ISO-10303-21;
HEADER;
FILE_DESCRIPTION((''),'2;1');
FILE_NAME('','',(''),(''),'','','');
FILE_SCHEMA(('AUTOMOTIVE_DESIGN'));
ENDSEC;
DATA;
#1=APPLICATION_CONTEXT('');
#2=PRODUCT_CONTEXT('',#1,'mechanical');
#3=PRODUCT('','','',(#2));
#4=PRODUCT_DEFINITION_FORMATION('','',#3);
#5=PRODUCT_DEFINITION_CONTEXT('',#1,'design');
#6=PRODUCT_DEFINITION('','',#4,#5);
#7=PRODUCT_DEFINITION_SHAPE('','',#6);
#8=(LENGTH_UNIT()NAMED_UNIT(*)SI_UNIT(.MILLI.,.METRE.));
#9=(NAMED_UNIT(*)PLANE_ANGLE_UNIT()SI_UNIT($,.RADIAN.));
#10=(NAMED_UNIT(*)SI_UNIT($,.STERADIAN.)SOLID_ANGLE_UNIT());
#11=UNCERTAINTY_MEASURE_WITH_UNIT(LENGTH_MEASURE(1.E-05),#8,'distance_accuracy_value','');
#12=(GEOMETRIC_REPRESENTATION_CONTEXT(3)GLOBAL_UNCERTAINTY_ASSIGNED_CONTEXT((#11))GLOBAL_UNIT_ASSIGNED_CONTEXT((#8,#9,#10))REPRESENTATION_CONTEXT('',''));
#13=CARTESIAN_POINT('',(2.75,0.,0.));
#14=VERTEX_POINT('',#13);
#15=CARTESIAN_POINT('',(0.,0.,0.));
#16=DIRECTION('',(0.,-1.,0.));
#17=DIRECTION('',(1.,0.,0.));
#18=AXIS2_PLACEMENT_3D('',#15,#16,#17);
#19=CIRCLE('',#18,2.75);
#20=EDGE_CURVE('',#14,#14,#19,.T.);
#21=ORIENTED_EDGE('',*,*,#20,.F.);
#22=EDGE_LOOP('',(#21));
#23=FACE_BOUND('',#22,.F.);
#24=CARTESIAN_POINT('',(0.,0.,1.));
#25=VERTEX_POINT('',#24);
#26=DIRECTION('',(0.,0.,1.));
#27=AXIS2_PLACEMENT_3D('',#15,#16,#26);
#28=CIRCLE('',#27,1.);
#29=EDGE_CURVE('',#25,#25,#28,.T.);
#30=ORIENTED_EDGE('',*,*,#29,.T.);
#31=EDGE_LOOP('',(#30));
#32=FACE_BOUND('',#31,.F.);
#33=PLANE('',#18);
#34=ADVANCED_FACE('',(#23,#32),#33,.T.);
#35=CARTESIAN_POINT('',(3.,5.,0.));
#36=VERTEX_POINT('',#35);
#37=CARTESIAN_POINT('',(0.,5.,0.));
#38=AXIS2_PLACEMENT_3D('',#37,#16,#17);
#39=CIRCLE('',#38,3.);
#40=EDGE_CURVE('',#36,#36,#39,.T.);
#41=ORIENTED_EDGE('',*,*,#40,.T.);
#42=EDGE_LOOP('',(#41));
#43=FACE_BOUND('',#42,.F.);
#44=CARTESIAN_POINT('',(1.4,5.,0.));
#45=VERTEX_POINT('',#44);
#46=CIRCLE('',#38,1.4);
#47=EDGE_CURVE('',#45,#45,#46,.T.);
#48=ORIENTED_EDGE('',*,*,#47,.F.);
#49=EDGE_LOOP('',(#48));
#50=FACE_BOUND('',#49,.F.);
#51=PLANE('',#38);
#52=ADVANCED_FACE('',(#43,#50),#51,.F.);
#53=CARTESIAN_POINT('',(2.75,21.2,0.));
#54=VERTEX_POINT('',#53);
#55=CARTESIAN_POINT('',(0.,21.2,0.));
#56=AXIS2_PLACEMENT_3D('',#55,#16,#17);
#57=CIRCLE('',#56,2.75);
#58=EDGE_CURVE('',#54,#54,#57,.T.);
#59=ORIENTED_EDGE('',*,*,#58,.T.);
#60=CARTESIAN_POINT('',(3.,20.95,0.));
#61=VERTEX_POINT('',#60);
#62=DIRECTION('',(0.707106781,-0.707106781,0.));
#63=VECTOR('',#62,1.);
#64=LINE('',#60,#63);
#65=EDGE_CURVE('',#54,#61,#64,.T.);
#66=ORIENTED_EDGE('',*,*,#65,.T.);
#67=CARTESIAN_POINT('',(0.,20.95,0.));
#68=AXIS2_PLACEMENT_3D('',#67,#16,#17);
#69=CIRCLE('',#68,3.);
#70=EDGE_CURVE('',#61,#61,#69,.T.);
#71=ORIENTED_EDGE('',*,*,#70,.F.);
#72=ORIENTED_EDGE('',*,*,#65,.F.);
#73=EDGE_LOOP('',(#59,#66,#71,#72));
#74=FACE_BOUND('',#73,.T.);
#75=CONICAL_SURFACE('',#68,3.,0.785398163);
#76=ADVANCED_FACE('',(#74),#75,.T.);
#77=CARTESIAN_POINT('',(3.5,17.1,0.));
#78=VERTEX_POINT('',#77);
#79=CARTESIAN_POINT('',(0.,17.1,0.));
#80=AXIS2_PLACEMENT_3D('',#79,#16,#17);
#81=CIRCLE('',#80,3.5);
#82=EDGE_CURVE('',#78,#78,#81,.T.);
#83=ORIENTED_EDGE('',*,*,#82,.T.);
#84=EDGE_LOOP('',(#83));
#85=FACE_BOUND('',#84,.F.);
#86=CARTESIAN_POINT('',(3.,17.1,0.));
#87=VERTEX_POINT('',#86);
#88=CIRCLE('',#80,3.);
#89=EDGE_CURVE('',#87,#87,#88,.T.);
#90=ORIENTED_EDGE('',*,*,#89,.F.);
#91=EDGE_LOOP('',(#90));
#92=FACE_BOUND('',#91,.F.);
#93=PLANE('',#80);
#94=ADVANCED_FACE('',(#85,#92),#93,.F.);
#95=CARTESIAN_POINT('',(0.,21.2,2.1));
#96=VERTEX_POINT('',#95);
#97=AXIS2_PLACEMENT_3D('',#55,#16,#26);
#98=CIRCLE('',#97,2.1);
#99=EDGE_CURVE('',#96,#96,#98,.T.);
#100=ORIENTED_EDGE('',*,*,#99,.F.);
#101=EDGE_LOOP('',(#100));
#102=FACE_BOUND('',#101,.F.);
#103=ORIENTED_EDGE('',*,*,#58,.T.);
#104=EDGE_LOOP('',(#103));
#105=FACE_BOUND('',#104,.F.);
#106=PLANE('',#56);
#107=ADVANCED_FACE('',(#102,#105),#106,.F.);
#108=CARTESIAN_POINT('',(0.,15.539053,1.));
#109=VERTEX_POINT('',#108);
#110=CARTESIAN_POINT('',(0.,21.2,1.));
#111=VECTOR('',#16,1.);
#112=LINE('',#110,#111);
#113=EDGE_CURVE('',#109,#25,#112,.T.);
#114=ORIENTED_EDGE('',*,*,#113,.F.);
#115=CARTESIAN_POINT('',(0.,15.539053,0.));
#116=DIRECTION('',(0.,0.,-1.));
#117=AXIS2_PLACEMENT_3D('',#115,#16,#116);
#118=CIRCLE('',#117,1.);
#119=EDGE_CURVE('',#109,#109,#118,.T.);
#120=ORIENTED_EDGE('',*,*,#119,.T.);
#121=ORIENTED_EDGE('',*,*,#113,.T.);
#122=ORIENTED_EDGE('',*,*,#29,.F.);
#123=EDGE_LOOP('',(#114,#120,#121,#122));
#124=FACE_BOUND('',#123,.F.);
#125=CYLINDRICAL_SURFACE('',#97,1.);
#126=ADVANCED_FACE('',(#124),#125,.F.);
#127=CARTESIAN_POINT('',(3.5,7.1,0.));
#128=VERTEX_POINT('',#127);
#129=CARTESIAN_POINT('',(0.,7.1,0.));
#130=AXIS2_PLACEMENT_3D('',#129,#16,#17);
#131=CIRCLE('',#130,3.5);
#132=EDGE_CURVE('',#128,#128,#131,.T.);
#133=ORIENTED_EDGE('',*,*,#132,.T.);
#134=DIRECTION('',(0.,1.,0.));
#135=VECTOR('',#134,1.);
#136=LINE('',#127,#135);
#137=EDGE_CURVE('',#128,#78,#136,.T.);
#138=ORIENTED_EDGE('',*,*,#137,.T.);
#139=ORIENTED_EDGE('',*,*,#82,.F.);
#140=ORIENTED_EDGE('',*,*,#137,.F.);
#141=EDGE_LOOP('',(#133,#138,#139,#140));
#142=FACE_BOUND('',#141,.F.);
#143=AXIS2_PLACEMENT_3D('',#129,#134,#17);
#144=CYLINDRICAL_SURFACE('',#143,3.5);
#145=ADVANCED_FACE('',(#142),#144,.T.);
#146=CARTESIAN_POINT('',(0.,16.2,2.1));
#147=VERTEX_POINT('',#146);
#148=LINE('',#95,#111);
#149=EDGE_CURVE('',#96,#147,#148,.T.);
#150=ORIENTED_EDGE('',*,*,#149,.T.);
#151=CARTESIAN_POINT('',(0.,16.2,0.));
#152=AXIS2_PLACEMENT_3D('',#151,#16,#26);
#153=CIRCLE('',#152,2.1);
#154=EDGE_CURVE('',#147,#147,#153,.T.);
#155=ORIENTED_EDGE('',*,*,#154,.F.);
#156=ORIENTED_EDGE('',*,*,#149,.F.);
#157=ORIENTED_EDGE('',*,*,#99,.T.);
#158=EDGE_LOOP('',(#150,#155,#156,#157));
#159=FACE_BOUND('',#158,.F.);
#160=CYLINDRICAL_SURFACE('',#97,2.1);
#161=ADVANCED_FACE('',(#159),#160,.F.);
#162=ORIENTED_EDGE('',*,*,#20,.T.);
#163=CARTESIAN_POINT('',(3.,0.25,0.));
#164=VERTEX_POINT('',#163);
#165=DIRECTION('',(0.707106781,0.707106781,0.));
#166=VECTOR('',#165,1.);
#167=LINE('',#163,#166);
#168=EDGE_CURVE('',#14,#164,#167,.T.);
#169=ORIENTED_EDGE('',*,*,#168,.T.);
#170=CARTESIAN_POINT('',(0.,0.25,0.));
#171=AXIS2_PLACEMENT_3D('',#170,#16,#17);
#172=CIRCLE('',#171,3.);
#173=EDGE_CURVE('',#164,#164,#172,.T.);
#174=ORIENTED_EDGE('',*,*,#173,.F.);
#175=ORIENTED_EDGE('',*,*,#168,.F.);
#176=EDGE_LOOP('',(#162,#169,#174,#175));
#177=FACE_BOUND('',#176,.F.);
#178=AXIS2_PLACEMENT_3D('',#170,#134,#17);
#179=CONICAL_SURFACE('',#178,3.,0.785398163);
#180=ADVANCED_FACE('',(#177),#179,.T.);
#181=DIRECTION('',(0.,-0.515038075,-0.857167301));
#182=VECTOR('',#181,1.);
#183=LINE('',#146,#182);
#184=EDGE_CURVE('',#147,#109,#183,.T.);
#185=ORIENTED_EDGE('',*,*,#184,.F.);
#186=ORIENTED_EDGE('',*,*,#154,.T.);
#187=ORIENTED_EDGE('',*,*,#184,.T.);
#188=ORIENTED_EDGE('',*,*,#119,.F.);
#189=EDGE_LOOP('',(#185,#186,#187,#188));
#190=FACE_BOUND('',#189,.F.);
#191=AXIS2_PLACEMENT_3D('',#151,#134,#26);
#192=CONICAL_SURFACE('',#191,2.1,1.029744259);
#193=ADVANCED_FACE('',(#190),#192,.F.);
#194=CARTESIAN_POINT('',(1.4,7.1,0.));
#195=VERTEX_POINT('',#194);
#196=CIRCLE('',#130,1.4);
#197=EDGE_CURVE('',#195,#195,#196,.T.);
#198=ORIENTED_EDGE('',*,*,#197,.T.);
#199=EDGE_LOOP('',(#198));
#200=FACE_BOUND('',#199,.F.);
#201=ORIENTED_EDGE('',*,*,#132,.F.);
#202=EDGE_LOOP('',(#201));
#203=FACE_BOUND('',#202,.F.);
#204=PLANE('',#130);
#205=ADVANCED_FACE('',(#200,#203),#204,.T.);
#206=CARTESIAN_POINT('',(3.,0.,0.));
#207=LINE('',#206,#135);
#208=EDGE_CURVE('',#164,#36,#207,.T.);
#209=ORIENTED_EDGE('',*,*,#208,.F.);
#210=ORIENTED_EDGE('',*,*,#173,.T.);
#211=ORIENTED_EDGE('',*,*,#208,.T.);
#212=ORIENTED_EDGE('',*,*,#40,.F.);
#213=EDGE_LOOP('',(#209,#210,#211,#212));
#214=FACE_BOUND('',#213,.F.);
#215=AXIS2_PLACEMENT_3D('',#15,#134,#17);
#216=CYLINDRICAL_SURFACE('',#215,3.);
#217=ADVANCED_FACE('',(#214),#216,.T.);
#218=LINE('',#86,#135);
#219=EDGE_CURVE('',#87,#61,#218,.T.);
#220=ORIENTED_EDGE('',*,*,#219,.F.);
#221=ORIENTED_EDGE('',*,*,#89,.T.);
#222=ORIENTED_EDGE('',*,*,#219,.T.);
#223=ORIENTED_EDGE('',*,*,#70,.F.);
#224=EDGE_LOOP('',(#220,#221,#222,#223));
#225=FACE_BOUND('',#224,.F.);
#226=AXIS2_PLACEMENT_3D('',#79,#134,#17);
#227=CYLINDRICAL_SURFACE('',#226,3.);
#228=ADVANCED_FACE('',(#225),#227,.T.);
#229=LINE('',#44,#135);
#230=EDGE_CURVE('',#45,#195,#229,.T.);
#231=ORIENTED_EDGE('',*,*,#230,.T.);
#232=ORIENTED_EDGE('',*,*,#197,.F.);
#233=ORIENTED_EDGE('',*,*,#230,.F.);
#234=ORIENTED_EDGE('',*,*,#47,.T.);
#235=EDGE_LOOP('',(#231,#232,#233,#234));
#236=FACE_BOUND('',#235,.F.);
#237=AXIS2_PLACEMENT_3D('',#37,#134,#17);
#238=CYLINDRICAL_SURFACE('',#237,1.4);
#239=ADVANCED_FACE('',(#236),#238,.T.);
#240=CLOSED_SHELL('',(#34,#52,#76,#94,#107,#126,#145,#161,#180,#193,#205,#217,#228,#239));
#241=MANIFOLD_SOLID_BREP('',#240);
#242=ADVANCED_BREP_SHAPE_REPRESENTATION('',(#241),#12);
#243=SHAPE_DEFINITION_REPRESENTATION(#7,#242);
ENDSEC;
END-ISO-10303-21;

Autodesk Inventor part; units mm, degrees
ref_plane "YZ Plane" through (0, 0, 0) normal (1, 0, 0) x (0, 1, 0)
ref_plane "XZ Plane" through (0, 0, 0) normal (0, 1, 0) x (-1, 0, 0)
ref_plane "XY Plane" through (0, 0, 0) normal (0, 0, 1) x (1, 0, 0)
sketch "Sketch1" plane through (0, 0, 0) normal (0, 0, 1) x (1, 0, 0)
  line L0 (0, 0) -> (3, 0)
  line L1 (3, 0) -> (3, 5)
  line L2 (3, 5) -> (1.4, 5)
  line L3 (1.4, 5) -> (1.4, 7.1)
  line L4 (1.4, 7.1) -> (3.5, 7.1)
  line L5 (3.5, 7.1) -> (3.5, 17.1)
  line L6 (3.5, 17.1) -> (3, 17.1)
  line L7 (3, 17.1) -> (3, 21.2)
  line L8 (3, 21.2) -> (0, 21.2)
  line L9 (0, 21.2) -> (0, 0)
  dimension "d0" = 2.1
  dimension "d1" = 7.1
  dimension "d3" = 10
  dimension "d4" = 14.1
  dimension "d5" = 3
  dimension "d6" = 1.4
  dimension "d7" = 3.5
  dimension "d8" = 3
revolve "Revolution1" add sketch "Sketch1" angle 360 about axis through (0, 21.2, 0) along (0, -1, 0)
thread "Thread1" size "M7x1" class "6g" standard "ANSI Metric M Profile" full length
thread "Thread2" size "M6x1" class "6g" standard "ANSI Metric M Profile" full length
sketch "Sketch2" plane through (0, 21.2, 0) normal (0, 1, 0) x (1, 0, 0)
  circle A0 centre (0, 0) radius 3 projected
  point P0 (0, 0)
hole "Hole1" at (0, 21.2, 0) direction (0, -1, 0) diameter 2 end through all
hole "Hole2" at (0, 21.2, 0) direction (0, -1, 0) diameter 4.2 depth 5 tip angle 118
chamfer "Chamfer1" distance 0.25 angle 45 1 edges at (-3, 21.2, 0)
chamfer "Chamfer2" distance 0.25 angle 45 1 edges at (-3, 0, 0)
properties part number "Heatbreak" material "Stainless Steel"
